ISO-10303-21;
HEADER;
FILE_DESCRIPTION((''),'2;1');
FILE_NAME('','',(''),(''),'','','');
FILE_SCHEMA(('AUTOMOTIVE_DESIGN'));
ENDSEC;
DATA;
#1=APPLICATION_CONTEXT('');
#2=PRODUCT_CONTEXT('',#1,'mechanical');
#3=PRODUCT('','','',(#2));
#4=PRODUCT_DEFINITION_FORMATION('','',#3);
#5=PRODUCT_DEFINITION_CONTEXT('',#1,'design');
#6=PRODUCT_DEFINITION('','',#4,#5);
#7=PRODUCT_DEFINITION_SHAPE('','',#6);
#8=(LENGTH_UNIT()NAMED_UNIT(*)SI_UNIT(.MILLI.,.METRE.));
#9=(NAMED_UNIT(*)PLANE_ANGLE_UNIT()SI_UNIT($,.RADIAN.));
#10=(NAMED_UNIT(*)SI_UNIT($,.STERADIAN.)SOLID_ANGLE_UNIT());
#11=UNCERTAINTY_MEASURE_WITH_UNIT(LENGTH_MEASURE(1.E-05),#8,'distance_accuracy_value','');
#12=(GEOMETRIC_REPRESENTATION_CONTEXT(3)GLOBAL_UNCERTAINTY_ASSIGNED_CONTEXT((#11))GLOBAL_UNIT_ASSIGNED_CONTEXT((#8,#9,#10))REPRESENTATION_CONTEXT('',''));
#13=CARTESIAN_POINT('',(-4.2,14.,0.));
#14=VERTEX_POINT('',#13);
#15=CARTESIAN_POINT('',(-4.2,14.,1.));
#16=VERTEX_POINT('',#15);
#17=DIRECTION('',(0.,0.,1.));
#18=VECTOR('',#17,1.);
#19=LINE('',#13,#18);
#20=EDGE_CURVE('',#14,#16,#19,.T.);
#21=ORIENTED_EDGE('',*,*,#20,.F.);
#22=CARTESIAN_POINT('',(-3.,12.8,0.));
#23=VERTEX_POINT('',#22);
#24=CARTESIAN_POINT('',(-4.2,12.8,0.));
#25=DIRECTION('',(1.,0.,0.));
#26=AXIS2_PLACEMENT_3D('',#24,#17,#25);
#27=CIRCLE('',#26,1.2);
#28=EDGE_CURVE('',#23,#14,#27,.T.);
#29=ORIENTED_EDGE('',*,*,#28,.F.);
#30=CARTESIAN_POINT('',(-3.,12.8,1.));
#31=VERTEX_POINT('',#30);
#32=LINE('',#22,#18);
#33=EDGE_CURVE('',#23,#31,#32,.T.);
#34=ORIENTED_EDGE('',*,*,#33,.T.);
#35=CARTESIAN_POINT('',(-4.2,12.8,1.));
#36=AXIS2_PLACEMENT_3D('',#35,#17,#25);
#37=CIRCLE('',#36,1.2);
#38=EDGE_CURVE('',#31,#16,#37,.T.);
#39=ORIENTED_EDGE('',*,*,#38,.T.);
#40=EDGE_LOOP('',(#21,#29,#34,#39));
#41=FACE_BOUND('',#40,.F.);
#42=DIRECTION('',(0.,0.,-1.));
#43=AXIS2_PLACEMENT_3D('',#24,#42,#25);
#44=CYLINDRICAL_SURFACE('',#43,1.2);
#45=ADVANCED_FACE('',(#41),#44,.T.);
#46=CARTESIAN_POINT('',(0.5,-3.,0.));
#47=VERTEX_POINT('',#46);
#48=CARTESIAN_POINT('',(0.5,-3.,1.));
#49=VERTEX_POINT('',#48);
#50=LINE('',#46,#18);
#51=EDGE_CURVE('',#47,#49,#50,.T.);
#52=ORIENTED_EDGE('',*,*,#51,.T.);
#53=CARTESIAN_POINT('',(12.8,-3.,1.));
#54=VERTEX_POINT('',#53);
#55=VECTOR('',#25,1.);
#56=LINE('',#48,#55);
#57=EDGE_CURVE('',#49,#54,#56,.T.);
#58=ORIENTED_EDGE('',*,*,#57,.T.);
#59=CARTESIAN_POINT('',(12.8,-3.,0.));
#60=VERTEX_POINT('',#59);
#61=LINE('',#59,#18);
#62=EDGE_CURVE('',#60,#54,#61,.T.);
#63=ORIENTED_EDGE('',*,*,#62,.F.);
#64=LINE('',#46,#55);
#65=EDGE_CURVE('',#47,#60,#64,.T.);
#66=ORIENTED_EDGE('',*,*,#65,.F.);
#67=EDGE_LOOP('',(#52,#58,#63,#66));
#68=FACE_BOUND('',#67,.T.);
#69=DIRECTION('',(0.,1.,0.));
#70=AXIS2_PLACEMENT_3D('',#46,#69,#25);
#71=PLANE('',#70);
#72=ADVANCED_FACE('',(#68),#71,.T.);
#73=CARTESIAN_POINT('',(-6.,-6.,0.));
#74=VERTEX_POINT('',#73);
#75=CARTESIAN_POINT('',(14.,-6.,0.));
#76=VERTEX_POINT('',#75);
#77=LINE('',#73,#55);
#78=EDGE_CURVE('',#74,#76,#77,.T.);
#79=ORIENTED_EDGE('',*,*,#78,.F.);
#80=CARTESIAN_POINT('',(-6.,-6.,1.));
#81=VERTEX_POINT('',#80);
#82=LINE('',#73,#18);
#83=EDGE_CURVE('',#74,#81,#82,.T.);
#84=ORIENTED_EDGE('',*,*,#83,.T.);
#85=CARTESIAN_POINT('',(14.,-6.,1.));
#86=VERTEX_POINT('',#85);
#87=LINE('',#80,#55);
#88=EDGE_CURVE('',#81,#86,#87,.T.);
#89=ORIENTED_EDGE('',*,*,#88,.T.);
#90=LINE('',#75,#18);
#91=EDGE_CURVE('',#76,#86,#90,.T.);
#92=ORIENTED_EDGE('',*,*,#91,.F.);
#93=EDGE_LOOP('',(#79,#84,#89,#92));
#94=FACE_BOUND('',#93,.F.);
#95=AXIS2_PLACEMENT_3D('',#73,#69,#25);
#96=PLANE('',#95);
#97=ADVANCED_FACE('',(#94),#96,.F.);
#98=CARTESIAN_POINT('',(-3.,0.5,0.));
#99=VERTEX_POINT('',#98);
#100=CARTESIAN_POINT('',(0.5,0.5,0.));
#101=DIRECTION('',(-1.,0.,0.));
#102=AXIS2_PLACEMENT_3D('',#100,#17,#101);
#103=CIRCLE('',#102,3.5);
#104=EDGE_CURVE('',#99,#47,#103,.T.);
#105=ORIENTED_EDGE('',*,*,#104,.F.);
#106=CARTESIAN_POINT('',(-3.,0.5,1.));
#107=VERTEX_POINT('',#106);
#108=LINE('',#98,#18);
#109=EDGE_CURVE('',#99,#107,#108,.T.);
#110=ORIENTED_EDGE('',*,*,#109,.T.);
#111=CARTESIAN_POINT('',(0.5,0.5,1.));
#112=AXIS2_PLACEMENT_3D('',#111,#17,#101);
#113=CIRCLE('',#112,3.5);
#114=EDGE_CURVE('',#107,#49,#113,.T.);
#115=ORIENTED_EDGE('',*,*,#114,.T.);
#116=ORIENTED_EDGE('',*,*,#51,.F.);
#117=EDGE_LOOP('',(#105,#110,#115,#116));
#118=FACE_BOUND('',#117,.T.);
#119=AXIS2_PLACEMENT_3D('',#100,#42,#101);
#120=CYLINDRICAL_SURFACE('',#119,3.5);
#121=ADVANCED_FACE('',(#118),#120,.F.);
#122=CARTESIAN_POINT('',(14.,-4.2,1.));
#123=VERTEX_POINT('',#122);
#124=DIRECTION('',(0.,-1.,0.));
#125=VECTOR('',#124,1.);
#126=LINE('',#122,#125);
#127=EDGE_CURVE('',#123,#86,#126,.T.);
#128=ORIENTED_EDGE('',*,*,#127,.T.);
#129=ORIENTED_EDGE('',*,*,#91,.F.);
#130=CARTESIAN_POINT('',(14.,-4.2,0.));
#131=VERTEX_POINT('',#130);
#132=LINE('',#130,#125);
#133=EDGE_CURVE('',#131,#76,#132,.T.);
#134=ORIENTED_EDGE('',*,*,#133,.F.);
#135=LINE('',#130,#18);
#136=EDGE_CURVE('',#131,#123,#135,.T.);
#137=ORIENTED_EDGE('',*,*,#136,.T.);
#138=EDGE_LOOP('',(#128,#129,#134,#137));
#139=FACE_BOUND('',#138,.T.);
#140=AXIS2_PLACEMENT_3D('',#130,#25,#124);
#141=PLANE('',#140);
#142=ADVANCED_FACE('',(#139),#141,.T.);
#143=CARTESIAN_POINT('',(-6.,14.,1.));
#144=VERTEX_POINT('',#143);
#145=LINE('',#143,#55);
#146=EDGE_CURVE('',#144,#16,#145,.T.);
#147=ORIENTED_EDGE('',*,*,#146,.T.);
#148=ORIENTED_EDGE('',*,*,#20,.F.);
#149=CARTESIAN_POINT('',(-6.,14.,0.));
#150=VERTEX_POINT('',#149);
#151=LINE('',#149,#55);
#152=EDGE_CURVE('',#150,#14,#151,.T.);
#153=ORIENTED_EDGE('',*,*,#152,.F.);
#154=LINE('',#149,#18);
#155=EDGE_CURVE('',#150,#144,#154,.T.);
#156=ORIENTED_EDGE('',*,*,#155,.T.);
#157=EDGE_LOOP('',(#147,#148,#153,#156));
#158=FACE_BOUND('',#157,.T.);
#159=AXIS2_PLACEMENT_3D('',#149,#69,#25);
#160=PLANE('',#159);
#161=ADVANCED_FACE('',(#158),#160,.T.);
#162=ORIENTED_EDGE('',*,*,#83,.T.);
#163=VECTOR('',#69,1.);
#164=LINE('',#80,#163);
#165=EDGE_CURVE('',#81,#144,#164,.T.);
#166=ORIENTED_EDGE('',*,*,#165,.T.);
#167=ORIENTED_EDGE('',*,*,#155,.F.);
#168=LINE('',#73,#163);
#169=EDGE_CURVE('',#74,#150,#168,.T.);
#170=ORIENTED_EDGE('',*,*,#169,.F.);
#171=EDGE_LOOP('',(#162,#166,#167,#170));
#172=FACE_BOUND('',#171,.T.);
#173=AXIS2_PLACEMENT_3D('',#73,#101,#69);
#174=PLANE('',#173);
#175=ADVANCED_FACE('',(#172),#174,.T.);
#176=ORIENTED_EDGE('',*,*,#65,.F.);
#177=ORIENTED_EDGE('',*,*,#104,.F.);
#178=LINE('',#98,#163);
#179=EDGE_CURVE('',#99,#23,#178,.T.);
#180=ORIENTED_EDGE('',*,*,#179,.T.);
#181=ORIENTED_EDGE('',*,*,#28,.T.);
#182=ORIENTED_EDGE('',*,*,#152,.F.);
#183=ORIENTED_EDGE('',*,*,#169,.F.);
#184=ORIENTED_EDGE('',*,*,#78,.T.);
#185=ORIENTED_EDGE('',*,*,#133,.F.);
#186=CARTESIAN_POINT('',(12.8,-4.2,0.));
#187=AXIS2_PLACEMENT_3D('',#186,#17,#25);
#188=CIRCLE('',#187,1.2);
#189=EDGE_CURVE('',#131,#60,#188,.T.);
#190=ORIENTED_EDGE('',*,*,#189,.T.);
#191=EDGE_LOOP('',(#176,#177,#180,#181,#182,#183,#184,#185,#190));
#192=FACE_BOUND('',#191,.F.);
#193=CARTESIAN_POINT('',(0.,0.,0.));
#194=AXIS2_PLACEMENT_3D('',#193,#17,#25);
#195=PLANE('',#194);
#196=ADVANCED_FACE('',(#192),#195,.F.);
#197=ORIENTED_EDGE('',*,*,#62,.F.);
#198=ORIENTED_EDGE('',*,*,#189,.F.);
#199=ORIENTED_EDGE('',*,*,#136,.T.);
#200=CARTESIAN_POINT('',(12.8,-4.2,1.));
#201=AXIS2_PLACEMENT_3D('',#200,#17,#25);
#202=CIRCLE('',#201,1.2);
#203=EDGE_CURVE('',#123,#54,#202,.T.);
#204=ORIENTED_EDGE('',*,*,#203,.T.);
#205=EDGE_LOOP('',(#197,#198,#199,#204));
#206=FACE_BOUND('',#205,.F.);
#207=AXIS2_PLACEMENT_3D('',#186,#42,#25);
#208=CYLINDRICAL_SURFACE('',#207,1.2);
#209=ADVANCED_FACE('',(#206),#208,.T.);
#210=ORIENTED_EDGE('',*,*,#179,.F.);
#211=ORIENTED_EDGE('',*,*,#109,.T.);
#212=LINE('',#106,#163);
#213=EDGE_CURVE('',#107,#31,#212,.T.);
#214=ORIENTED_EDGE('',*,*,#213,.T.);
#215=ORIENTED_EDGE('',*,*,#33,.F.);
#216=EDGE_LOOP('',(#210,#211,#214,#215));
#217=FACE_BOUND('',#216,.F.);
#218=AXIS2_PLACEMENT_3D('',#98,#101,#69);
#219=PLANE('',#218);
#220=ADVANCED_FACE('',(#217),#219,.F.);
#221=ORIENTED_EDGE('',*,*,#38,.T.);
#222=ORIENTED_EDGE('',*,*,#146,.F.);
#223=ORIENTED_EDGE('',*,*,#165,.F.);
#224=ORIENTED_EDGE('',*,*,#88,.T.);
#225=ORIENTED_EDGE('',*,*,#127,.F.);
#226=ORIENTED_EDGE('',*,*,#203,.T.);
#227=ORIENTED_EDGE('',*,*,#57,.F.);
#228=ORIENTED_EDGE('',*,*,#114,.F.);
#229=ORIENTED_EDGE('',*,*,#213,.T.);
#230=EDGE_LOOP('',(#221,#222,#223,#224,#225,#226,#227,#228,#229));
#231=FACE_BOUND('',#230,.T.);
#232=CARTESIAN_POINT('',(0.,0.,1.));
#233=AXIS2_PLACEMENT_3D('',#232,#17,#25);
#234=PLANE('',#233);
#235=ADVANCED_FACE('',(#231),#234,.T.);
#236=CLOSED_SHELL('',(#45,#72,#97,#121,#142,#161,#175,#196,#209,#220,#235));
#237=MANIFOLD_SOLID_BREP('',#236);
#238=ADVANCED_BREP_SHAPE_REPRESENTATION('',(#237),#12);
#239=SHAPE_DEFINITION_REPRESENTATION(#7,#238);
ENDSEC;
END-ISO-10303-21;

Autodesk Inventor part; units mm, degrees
ref_plane "YZ Plane" through (0, 0, 0) normal (1, 0, 0) x (0, 1, 0)
ref_plane "Начальная плоскость" through (0, 0, 0) normal (0, 0, 1) x (1, 0, 0)
ref_plane "Конечная плоскость" through (0, 0, 1) normal (0, 0, 1) x (1, 0, 0)
sketch "Эскиз" plane through (0, 0, 0) normal (0, 0, 1) x (1, 0, 0)
  line L0 (-3, 0.5) -> (-3, 12.8)
  line L1 (-6, 14) -> (-4.2, 14)
  line L2 (-6, -6) -> (-6, 14)
  line L3 (-6, -6) -> (14, -6)
  line L4 (14, -4.2) -> (14, -6)
  line L5 (0.5, -3) -> (12.8, -3)
  arc A0 (-3, 0.5) -> (0.5, -3) centre (0.5, 0.5) ccw
  arc A1 (-3, 12.8) -> (-4.2, 14) centre (-4.2, 12.8) ccw
  arc A2 (14, -4.2) -> (12.8, -3) centre (12.8, -4.2) ccw
  line L6 (14, 0) -> (-6, 0) construction
  line L7 (0, -6) -> (0, 14) construction
  line L8 (0, 0) -> (20, 0) construction
  point P0 (-3, -3)
  point P1 (-3, 14)
  point P2 (14, -3)
  dimension "d17" = 3.5
  dimension "d19" = 1.2
  dimension "d26" = 6
  dimension "d27" = 6
  dimension "d28" = 20
  dimension "d29" = 20
  dimension "d30" = 3
  dimension "d31" = 3
  dimension "d32" = 90
extrude "Базовый элемент" add sketch "Эскиз" along normal up to surface (1 mm away) from surface at 0
sketch "Sketch3" plane through (0, 0, 0) normal (0, 0, 1) x (1, 0, 0)
  line L0 (0, 0) -> (10, 0)
ref_plane "Work Plane10" through (0, 0, 0) normal (0, -1, 0) x (1, 0, 0)
sketch "Sketch4" plane through (0, 0, 0) normal (0, -1, 0) x (1, 0, 0)
  line L0 (-2, 0) -> (12, 0)
  line L1 (-2, 1) -> (12, 1)
  dimension "d25" = 1
equation "\"d17\" = R"
equation "\"d19\" = r1"
equation "\"d26\" = ex"
equation "\"d27\" = ey"
equation "\"d28\" = b"
equation "\"d29\" = b"
equation "\"d30\" = ParT"
equation "\"d31\" = ParT"
equation "\"d11\" = G_L"
equation "\"b\" = 20"
equation "\"ParT\" = 3"
equation "\"R\" = 3.5"
equation "\"G_L\" = d25"
equation "\"r1\" = 1.2"
equation "\"G_OFFSET_START\" = 0"
equation "\"G_OFFSET_END\" = 0"
equation "\"d21\" = G_OFFSET_END + B_L"
equation "\"ex\" = 6"
equation "\"ey\" = ex"
equation "\"B_L\" = 1"
properties part number "Кутик ДСТУ 2251" material "С245 ДСТУ 8539"
